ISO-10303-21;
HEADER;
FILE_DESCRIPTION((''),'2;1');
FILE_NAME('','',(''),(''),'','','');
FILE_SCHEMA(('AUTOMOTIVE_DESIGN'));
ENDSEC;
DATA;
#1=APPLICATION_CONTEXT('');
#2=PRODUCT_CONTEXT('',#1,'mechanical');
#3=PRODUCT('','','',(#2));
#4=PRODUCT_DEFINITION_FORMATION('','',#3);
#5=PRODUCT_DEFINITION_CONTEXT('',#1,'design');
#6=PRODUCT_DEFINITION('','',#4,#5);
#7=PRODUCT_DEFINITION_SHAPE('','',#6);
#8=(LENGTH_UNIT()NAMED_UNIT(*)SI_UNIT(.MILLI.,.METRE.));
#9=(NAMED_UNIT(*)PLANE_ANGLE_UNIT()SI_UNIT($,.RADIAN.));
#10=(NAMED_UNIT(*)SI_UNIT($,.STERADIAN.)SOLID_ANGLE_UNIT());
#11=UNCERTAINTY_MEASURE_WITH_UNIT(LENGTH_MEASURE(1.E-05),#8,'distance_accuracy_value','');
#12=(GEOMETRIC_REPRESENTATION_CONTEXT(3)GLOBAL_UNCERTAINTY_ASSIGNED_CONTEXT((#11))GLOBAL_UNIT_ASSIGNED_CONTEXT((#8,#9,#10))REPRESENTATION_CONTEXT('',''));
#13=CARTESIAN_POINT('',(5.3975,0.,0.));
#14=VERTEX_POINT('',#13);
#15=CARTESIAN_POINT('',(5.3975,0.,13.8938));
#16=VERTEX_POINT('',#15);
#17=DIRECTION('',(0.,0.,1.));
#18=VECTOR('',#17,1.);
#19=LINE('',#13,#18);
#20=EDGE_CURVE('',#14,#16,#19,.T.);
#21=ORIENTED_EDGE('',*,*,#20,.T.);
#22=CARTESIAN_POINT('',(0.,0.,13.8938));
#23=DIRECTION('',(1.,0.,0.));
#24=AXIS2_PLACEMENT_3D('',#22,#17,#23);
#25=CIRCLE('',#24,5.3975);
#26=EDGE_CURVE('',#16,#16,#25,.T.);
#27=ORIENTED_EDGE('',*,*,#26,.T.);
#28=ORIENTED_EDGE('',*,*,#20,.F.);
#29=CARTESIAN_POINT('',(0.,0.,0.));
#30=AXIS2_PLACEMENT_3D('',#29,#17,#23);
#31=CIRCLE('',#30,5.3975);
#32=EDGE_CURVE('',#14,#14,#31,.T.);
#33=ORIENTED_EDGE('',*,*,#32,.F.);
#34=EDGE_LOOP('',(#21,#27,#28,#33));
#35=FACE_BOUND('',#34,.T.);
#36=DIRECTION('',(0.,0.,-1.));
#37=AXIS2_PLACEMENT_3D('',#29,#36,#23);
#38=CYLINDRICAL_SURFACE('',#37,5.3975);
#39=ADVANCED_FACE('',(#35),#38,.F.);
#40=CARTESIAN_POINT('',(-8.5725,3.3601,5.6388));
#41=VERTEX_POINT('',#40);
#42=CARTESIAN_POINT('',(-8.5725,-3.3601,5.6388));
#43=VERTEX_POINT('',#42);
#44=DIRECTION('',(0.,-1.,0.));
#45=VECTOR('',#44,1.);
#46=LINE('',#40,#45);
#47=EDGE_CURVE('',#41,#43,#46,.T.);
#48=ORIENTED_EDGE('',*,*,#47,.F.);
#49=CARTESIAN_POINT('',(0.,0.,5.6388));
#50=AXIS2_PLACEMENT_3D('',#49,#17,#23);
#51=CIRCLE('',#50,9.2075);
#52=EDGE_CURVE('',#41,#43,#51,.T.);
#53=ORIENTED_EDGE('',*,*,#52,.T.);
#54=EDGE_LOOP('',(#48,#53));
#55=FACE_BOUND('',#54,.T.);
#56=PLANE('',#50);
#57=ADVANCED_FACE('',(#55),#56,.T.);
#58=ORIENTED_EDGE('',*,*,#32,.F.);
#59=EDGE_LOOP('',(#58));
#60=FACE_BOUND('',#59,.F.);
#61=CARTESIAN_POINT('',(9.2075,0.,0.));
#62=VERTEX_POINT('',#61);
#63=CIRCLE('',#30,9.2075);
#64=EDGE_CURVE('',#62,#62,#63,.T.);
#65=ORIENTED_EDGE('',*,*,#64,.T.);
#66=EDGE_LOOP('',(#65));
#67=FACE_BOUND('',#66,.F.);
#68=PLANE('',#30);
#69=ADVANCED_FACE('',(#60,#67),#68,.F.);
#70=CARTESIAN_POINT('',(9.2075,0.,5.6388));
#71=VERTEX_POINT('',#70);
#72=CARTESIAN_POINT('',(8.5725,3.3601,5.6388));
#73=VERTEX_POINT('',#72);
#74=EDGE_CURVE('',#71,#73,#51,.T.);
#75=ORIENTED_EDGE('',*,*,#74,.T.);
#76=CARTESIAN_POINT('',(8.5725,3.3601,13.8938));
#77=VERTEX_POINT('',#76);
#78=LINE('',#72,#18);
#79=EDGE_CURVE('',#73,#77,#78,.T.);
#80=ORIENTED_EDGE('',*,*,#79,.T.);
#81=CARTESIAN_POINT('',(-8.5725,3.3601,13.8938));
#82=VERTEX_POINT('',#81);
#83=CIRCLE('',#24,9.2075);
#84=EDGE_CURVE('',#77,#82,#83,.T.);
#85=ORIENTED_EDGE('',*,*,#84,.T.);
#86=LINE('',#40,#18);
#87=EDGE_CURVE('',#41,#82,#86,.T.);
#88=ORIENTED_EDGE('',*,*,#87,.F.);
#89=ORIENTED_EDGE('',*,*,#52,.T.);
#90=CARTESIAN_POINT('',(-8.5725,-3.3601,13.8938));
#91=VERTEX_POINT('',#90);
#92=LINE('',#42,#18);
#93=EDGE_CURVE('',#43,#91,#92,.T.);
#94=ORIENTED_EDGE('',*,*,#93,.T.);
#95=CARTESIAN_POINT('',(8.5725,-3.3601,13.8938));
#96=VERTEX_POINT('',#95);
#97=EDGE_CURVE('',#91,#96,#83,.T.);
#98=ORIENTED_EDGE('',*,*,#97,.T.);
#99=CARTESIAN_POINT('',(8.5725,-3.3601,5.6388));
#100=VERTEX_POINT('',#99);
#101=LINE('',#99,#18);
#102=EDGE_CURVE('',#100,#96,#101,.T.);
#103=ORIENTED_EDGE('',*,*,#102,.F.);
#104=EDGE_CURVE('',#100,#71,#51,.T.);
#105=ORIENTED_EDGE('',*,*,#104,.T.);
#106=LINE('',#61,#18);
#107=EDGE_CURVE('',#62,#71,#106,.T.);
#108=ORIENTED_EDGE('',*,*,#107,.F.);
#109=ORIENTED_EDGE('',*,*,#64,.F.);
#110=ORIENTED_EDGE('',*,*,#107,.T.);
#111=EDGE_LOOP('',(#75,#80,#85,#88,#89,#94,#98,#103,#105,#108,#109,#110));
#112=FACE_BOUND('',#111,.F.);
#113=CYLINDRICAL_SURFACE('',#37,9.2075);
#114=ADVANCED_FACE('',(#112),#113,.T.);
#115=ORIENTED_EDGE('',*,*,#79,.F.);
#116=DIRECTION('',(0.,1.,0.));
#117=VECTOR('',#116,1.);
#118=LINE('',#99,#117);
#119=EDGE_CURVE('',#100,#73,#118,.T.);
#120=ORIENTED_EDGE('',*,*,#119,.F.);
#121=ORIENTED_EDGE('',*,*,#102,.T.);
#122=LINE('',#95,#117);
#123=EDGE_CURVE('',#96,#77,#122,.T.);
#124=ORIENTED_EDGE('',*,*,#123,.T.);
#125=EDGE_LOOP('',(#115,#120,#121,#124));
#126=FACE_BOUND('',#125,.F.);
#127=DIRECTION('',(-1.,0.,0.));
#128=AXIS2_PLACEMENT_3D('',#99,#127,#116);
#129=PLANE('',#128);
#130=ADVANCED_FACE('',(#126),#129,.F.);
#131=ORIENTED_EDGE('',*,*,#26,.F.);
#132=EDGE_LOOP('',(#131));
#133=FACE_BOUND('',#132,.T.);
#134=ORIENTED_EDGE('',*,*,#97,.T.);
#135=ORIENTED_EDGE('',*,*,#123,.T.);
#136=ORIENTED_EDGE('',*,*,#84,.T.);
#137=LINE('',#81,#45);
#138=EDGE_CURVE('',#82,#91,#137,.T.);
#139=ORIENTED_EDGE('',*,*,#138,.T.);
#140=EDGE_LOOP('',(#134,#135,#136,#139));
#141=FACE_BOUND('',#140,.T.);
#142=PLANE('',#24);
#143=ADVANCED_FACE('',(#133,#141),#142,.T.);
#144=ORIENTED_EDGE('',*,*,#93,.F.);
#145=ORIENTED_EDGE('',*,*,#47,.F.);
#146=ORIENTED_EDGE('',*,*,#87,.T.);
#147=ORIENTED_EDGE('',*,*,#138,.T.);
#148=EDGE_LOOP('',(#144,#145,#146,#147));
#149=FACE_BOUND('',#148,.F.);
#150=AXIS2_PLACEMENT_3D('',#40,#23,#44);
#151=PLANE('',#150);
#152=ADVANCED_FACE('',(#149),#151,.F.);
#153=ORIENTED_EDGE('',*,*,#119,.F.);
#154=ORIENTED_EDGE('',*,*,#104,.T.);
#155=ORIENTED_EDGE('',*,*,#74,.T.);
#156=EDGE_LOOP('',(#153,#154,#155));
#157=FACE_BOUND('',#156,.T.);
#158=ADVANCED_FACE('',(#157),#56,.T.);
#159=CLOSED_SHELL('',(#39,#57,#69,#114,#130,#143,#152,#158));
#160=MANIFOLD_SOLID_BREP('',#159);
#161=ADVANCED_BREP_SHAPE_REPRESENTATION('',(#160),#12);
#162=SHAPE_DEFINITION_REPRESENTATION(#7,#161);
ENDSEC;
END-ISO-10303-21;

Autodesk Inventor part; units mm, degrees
ref_plane "YZ Plane" through (0, 0, 0) normal (1, 0, 0) x (0, 1, 0)
ref_plane "XZ Plane" through (0, 0, 0) normal (0, 1, 0) x (-1, 0, 0)
ref_plane "XY Plane" through (0, 0, 0) normal (0, 0, 1) x (1, 0, 0)
sketch "Sketch1" plane through (0, 0, 0) normal (0, 0, 1) x (1, 0, 0)
  circle A0 centre (0, 0) radius 9.2075
  circle A1 centre (0, 0) radius 5.3975
  dimension "d0" = 18.415
  dimension "d1" = 10.795
extrude "Extrusion1" add sketch "Sketch1" along normal blind 5.6388
sketch "Sketch2" plane through (0, 0, 5.6388) normal (0, 0, 1) x (1, 0, 0)
  circle A0 centre (0, 0) radius 5.3975 projected
  circle A1 centre (0, 0) radius 9.2075 projected
  line L0 (-8.5725, 3.3601) -> (-8.5725, -3.3601)
  line L1 (8.5725, -3.3601) -> (8.5725, 3.3601)
  dimension "d4" = 17.145
extrude "Extrusion2" add sketch "Sketch2" along normal blind 8.255 contours L1 A1 L0
properties part number "Small Suction Cup Part 3 1764"
